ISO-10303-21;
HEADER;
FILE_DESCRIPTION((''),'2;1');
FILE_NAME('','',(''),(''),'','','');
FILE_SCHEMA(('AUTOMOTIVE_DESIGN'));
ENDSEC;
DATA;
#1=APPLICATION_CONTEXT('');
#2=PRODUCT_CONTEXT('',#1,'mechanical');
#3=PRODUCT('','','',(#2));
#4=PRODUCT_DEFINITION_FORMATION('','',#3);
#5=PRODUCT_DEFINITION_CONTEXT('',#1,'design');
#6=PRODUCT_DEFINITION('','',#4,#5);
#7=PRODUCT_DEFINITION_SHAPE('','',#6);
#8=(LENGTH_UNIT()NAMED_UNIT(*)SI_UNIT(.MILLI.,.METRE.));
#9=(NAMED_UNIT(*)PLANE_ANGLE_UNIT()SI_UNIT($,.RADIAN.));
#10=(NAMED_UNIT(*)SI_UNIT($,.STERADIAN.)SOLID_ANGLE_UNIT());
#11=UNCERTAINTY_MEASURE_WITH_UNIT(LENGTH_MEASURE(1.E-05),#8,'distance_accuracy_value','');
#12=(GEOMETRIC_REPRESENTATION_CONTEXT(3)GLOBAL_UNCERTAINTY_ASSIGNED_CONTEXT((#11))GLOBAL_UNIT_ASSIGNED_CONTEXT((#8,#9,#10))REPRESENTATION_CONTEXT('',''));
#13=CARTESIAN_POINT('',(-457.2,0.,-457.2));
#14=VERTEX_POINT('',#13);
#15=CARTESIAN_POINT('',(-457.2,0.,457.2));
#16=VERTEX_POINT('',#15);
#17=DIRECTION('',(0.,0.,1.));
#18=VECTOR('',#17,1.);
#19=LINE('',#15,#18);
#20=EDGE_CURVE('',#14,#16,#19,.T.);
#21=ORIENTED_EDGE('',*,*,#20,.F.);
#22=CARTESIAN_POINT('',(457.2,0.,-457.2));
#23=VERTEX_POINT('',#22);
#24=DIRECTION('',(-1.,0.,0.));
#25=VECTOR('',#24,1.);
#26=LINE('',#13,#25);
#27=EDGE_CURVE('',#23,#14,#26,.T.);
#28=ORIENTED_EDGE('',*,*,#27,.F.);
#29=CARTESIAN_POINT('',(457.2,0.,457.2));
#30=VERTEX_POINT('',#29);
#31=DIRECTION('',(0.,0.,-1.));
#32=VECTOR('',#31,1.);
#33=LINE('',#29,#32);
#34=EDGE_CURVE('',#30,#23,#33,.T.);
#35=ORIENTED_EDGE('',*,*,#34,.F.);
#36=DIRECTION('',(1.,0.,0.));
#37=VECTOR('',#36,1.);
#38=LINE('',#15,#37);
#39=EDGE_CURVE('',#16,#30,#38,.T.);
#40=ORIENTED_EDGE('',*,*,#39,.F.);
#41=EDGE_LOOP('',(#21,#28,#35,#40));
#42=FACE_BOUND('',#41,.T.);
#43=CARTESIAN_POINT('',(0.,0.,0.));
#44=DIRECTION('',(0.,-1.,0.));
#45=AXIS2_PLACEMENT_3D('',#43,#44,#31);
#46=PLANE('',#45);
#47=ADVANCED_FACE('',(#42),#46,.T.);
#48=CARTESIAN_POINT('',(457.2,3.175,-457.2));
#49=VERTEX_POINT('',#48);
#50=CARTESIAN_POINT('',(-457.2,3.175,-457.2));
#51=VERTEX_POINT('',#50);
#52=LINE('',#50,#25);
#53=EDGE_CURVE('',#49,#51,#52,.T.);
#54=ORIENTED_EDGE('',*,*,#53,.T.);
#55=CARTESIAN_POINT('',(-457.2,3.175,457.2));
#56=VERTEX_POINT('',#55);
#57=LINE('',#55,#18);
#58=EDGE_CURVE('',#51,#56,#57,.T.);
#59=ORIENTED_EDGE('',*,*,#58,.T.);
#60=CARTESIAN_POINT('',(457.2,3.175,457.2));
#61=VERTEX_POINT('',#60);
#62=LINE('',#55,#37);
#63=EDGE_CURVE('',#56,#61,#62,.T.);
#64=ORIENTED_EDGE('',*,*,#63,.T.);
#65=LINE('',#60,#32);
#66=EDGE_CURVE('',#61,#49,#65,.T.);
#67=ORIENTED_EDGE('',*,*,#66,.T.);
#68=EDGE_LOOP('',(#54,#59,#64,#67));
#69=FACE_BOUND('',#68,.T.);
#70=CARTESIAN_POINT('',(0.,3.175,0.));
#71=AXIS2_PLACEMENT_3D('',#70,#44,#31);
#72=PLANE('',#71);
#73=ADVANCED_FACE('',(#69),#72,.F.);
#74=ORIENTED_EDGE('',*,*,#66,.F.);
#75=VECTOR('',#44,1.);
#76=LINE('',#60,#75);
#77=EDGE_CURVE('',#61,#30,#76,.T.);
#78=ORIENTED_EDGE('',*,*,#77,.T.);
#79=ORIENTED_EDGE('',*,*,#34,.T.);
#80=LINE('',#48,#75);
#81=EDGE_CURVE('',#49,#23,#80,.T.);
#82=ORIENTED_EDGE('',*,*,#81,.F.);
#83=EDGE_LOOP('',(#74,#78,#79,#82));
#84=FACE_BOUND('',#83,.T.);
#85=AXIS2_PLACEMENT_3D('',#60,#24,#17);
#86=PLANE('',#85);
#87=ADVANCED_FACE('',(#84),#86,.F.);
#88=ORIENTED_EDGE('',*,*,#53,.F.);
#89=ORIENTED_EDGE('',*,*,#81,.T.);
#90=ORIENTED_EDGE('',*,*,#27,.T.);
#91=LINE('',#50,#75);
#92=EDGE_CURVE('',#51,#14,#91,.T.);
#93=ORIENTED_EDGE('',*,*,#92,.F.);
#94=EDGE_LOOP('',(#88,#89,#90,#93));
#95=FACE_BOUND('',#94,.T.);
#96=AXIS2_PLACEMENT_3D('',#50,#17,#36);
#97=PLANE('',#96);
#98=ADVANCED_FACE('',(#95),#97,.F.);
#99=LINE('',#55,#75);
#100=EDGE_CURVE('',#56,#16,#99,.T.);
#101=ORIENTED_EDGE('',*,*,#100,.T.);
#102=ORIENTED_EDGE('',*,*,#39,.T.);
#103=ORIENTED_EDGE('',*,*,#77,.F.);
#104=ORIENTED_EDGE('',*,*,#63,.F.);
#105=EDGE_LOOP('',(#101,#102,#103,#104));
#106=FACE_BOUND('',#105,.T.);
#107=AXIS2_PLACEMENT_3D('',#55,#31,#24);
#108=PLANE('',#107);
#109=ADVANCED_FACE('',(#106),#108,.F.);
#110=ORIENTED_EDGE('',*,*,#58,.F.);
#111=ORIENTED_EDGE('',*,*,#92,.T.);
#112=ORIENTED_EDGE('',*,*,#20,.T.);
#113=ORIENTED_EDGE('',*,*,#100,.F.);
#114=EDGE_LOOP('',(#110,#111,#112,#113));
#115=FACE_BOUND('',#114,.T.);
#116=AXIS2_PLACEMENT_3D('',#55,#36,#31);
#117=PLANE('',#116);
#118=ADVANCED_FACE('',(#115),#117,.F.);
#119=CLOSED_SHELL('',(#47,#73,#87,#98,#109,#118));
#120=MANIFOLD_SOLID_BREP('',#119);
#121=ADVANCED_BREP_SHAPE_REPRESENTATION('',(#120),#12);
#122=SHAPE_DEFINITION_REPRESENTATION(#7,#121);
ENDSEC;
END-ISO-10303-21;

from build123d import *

# Parameters (mm, degrees)
SKETCH1_W          = 914.4
SKETCH1_H          = 914.4
SQUARE_BOARD_DEPTH = 3.175


with BuildPart() as part:
    # Sketch1 → Square Board (new body)
    with BuildSketch(Plane(origin=(0, 0, 0), x_dir=(1, 0, 0), z_dir=(0, 1, 0))):
        Rectangle(SKETCH1_W, SKETCH1_H)
    extrude(amount=SQUARE_BOARD_DEPTH)


solid = part.part
